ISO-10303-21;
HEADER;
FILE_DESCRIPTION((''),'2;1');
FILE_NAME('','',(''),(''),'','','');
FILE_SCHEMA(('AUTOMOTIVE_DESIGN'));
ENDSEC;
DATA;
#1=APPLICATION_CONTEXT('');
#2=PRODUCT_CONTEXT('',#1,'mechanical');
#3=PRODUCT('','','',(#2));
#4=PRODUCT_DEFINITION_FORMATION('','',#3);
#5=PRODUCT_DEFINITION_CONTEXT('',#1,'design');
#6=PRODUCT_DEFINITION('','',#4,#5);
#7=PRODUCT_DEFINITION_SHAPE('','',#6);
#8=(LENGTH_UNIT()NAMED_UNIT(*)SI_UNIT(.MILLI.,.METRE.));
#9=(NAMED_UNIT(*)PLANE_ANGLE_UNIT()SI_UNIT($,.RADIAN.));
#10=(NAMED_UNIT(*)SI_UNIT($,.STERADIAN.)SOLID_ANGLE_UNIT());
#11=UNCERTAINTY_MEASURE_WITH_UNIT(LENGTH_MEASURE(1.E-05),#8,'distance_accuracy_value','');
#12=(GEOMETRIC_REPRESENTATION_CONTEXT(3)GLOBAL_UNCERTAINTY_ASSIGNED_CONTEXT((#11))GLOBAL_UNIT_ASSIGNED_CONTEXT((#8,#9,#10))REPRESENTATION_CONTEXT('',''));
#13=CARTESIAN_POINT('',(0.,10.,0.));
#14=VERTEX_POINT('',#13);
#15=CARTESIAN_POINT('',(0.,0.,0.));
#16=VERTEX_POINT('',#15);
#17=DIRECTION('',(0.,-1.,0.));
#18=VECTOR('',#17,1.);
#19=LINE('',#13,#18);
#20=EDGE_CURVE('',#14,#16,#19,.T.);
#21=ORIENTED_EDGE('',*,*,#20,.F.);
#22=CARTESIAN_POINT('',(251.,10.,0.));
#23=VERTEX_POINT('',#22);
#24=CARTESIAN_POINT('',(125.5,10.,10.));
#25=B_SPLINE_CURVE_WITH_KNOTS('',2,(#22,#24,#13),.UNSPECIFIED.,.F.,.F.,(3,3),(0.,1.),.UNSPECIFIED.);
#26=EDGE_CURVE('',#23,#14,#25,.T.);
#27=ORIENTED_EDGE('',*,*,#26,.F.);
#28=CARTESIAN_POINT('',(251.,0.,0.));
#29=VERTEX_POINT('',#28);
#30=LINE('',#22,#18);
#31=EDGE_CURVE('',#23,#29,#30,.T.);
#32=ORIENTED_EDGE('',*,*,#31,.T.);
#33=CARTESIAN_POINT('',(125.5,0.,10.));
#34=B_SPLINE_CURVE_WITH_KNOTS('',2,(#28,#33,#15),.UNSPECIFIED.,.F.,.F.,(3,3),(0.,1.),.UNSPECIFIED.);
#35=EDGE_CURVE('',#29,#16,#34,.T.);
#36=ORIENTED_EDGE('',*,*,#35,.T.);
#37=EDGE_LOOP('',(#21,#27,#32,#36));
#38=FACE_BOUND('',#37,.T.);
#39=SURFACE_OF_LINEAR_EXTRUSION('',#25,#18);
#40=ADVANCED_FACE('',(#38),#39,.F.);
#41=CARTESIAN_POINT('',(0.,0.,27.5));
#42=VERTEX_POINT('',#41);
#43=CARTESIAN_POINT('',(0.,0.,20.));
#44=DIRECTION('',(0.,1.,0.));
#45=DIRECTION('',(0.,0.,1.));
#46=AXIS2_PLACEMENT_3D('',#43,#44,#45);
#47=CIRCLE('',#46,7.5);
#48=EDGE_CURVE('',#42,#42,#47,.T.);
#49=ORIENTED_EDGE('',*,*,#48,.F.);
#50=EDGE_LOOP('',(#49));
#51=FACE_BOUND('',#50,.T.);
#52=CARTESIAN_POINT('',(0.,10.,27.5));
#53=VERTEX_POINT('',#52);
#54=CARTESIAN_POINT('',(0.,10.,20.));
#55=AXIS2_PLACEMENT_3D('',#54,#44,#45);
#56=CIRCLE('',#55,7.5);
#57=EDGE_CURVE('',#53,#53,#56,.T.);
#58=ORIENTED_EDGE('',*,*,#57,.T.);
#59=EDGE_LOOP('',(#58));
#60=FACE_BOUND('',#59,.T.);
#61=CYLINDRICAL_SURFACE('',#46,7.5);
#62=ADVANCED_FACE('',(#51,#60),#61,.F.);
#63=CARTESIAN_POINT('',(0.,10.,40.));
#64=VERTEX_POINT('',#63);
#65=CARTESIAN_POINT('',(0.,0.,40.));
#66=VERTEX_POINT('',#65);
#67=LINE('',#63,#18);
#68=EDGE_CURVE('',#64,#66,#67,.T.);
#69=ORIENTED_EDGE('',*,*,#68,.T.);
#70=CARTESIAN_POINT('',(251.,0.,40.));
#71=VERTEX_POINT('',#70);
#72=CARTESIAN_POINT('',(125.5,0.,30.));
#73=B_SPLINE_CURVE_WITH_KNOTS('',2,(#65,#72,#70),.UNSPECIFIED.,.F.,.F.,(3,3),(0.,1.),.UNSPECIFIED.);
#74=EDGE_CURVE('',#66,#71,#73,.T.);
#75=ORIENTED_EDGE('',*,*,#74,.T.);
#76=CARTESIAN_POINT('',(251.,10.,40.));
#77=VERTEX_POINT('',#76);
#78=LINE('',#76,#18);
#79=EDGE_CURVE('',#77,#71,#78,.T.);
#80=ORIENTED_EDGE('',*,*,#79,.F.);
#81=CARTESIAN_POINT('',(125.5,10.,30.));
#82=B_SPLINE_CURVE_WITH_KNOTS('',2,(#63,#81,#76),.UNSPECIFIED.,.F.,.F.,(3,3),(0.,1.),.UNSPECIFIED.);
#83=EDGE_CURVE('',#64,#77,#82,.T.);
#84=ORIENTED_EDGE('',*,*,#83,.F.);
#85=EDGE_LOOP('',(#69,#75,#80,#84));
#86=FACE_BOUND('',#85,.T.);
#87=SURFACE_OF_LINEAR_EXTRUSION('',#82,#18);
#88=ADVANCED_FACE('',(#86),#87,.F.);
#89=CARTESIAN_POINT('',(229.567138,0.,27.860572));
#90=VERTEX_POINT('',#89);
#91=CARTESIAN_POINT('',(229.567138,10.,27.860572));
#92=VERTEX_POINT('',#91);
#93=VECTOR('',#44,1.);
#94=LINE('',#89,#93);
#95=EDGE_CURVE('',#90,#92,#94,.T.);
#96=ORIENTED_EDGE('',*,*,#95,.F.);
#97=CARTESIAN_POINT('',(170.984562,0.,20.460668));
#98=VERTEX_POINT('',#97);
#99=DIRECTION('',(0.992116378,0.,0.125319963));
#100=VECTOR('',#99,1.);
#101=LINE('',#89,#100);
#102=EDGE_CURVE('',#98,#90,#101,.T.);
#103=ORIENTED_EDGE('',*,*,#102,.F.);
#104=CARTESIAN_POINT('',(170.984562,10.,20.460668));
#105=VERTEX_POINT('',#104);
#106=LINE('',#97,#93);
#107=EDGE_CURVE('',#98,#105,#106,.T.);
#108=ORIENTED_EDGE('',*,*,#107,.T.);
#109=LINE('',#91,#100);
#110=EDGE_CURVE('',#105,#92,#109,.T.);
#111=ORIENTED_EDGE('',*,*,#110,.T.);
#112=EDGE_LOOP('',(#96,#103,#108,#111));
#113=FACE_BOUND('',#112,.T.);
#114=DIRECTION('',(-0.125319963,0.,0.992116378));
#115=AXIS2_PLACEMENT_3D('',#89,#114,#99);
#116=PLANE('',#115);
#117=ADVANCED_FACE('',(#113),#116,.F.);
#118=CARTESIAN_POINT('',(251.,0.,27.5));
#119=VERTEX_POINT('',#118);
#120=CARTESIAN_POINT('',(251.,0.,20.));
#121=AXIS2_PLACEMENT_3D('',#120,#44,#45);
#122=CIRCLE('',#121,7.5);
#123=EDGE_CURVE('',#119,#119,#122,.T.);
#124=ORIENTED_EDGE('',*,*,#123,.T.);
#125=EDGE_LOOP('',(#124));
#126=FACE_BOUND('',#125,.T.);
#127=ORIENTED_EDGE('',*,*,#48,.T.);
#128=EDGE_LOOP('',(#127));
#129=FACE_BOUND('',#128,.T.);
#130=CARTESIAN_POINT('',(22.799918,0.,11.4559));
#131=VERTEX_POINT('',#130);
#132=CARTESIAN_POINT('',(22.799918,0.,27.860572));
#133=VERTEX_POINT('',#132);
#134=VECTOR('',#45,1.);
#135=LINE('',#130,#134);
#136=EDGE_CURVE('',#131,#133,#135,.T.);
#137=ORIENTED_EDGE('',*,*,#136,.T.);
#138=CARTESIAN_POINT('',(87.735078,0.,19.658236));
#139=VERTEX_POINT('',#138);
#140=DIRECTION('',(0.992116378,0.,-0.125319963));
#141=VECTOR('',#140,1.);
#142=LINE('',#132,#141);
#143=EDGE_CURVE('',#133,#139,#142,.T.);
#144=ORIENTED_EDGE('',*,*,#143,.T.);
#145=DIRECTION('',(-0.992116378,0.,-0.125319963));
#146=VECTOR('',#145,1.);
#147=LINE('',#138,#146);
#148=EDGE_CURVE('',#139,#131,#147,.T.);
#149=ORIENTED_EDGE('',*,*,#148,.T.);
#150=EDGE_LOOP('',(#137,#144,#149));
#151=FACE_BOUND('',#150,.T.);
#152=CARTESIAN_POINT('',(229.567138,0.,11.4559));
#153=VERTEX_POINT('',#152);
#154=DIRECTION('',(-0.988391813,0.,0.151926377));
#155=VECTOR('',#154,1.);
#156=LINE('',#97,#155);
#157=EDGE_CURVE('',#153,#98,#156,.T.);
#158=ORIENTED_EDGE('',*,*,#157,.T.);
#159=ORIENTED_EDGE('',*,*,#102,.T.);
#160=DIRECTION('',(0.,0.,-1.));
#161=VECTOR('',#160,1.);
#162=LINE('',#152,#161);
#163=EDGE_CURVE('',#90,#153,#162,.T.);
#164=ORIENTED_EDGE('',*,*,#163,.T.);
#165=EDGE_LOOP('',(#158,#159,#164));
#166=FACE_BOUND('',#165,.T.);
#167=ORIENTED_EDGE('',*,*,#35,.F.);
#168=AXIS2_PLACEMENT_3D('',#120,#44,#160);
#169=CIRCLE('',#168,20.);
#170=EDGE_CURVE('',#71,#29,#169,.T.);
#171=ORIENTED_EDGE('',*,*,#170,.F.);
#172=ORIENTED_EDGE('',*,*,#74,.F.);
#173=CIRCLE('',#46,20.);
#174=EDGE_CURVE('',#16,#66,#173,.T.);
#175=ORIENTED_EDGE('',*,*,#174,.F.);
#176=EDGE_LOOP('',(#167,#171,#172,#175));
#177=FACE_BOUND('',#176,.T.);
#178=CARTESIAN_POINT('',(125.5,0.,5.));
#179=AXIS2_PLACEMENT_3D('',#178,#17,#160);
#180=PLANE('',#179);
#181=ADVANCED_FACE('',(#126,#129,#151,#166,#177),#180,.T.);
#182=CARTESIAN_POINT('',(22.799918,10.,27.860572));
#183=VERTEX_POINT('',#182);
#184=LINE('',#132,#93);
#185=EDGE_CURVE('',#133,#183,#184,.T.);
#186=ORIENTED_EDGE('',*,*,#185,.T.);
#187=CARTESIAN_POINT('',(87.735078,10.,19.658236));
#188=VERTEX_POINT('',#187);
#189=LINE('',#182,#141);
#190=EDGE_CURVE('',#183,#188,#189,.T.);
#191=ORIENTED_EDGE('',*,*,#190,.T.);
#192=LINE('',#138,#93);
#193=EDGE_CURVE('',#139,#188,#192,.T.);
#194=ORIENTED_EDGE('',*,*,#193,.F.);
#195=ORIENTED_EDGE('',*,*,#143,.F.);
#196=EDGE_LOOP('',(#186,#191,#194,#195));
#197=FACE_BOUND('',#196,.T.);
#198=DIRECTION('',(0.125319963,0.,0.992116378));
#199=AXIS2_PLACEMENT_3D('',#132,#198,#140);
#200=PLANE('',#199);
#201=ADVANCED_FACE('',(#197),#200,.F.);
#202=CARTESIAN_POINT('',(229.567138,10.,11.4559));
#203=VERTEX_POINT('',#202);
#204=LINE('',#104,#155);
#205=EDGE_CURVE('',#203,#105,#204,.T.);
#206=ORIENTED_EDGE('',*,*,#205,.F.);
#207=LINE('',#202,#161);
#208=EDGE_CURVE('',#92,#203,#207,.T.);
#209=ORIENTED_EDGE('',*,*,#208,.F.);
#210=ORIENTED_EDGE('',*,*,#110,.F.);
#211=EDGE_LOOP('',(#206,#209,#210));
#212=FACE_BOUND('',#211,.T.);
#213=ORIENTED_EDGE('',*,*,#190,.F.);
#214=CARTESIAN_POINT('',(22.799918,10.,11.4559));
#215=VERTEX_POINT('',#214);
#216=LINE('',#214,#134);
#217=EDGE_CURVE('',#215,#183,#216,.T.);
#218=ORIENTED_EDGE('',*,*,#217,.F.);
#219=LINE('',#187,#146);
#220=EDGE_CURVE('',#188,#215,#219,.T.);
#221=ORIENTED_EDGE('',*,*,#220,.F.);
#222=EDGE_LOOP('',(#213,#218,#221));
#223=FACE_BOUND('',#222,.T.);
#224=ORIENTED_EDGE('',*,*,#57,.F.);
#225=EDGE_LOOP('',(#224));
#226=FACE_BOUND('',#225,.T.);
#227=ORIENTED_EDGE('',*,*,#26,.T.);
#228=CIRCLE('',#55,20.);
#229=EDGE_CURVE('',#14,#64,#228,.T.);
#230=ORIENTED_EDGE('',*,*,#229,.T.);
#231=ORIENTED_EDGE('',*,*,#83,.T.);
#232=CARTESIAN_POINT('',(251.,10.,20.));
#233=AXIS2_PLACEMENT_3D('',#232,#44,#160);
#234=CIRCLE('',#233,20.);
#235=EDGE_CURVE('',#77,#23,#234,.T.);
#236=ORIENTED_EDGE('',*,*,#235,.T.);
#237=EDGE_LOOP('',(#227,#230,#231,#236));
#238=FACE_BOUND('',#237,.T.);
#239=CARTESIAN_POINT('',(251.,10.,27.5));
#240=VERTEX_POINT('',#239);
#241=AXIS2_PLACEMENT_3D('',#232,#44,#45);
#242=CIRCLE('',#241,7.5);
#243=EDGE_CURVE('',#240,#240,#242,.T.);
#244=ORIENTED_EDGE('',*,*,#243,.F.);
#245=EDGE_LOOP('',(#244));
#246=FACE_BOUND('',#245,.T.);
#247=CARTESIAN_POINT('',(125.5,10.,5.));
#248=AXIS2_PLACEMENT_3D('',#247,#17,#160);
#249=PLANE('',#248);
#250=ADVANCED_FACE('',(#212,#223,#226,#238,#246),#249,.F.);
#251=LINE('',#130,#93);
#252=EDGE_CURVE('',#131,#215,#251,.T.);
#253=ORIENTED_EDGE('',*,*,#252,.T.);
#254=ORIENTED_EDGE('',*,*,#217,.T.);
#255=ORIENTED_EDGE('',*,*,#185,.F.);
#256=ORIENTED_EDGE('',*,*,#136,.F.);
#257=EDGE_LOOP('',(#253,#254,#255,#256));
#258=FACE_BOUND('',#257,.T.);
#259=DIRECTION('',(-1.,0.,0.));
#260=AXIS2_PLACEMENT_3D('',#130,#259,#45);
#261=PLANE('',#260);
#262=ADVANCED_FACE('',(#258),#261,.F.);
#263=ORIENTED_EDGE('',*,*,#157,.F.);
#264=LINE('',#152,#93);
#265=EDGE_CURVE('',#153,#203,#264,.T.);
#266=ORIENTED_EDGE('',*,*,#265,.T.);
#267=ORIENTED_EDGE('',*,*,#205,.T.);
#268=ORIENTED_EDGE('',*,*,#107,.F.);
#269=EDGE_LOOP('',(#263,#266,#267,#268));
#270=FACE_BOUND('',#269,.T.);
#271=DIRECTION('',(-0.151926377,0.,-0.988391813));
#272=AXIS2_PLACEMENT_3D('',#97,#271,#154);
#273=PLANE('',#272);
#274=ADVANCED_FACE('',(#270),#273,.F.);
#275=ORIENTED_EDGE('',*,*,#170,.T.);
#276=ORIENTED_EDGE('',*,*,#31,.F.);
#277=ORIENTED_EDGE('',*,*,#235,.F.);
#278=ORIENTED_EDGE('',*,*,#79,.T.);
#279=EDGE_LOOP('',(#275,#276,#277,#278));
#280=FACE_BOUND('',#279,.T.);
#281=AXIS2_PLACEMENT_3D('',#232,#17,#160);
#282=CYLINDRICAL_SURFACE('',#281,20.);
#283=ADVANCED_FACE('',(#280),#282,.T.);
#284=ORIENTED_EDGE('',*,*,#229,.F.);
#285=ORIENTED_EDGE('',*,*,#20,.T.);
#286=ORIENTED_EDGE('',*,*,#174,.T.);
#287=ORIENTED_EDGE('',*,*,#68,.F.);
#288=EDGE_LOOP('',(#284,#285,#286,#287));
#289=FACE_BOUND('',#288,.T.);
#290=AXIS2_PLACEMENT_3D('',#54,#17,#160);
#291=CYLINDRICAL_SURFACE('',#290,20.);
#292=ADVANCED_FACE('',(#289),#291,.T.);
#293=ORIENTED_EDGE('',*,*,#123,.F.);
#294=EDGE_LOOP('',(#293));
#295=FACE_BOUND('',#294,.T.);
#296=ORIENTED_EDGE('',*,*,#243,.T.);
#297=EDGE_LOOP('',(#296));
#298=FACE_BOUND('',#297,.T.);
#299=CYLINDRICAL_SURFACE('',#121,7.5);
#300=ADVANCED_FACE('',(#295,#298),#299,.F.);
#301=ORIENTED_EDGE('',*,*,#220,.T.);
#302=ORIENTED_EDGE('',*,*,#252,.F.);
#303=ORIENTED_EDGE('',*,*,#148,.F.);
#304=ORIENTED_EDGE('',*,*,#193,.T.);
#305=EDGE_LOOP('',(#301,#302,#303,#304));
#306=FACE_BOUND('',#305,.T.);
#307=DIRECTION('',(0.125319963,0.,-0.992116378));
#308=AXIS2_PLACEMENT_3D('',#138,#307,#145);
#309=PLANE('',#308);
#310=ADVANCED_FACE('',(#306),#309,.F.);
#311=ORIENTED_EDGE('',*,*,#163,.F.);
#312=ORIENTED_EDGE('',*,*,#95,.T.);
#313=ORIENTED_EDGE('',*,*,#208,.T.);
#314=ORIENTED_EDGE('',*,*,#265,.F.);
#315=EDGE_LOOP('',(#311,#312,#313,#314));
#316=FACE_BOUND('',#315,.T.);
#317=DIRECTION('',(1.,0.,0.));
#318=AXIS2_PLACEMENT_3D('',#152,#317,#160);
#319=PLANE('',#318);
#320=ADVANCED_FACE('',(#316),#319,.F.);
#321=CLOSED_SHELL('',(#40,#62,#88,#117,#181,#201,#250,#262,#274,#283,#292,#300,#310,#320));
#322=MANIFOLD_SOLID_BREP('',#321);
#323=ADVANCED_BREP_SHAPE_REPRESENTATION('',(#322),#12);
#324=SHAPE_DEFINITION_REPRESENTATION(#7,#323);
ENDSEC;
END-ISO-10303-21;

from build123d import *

# Parameters (mm, degrees)
EXTRUDE_1_DEPTH     = 10
SKETCH_2_R          = 7.5
CUT_EXTRUDE_1_DEPTH = 275.118587593
SKETCH_3_R          = 7.5
CUT_EXTRUDE_2_DEPTH = 275.118587593
CUT_EXTRUDE_3_DEPTH = 275.118587593


with BuildPart() as part:
    # 草图1 → 凸台-拉伸1 (new body)
    with BuildSketch(Plane(origin=(0, 0, 0), x_dir=(1, 0, 0), z_dir=(0, 1, 0))):
        with BuildLine():
            ThreePointArc((0, 0), (-20, -20), (0, -40))
            add(Edge.make_bspline(
                [(0, -40), (125.5, -30), (251, -40)],
                knots=[0, 0, 0, 1, 1, 1], degree=2))
            ThreePointArc((251, -40), (271, -20), (251, 0))
            add(Edge.make_bspline(
                [(0, 0), (125.5, -10), (251, 0)],
                knots=[0, 0, 0, 1, 1, 1], degree=2))
        make_face()
    extrude(amount=EXTRUDE_1_DEPTH)

    # 草图2 → 切除-拉伸1 (cut, through all)
    with BuildSketch(Plane(origin=(0, 10, 0), x_dir=(1, 0, 0), z_dir=(0, 1, 0))):
        with Locations(Location((0, -20, 0), (0, 0, 270))):
            Circle(SKETCH_2_R)
    extrude(amount=-CUT_EXTRUDE_1_DEPTH, mode=Mode.SUBTRACT)

    # 草图3 → 切除-拉伸2 (cut, through all)
    with BuildSketch(Plane(origin=(0, 10, 0), x_dir=(1, 0, 0), z_dir=(0, 1, 0))):
        with Locations(Location((251, -20, 0), (0, 0, 270))):
            Circle(SKETCH_3_R)
    extrude(amount=-CUT_EXTRUDE_2_DEPTH, mode=Mode.SUBTRACT)

    # 草图4 → 切除-拉伸3 (cut, through all)
    with BuildSketch(Plane(origin=(0, 10, 0), x_dir=(1, 0, 0), z_dir=(0, 1, 0))):
        Polygon((22.799917897, -11.455899991), (22.799917897, -27.860572008), (87.735077962, -19.658236), align=None)
        Polygon((229.567138104, -11.455899991), (229.567138104, -27.860572008), (170.98456159, -20.460667606), align=None)
    extrude(amount=-CUT_EXTRUDE_3_DEPTH, mode=Mode.SUBTRACT)


solid = part.part
